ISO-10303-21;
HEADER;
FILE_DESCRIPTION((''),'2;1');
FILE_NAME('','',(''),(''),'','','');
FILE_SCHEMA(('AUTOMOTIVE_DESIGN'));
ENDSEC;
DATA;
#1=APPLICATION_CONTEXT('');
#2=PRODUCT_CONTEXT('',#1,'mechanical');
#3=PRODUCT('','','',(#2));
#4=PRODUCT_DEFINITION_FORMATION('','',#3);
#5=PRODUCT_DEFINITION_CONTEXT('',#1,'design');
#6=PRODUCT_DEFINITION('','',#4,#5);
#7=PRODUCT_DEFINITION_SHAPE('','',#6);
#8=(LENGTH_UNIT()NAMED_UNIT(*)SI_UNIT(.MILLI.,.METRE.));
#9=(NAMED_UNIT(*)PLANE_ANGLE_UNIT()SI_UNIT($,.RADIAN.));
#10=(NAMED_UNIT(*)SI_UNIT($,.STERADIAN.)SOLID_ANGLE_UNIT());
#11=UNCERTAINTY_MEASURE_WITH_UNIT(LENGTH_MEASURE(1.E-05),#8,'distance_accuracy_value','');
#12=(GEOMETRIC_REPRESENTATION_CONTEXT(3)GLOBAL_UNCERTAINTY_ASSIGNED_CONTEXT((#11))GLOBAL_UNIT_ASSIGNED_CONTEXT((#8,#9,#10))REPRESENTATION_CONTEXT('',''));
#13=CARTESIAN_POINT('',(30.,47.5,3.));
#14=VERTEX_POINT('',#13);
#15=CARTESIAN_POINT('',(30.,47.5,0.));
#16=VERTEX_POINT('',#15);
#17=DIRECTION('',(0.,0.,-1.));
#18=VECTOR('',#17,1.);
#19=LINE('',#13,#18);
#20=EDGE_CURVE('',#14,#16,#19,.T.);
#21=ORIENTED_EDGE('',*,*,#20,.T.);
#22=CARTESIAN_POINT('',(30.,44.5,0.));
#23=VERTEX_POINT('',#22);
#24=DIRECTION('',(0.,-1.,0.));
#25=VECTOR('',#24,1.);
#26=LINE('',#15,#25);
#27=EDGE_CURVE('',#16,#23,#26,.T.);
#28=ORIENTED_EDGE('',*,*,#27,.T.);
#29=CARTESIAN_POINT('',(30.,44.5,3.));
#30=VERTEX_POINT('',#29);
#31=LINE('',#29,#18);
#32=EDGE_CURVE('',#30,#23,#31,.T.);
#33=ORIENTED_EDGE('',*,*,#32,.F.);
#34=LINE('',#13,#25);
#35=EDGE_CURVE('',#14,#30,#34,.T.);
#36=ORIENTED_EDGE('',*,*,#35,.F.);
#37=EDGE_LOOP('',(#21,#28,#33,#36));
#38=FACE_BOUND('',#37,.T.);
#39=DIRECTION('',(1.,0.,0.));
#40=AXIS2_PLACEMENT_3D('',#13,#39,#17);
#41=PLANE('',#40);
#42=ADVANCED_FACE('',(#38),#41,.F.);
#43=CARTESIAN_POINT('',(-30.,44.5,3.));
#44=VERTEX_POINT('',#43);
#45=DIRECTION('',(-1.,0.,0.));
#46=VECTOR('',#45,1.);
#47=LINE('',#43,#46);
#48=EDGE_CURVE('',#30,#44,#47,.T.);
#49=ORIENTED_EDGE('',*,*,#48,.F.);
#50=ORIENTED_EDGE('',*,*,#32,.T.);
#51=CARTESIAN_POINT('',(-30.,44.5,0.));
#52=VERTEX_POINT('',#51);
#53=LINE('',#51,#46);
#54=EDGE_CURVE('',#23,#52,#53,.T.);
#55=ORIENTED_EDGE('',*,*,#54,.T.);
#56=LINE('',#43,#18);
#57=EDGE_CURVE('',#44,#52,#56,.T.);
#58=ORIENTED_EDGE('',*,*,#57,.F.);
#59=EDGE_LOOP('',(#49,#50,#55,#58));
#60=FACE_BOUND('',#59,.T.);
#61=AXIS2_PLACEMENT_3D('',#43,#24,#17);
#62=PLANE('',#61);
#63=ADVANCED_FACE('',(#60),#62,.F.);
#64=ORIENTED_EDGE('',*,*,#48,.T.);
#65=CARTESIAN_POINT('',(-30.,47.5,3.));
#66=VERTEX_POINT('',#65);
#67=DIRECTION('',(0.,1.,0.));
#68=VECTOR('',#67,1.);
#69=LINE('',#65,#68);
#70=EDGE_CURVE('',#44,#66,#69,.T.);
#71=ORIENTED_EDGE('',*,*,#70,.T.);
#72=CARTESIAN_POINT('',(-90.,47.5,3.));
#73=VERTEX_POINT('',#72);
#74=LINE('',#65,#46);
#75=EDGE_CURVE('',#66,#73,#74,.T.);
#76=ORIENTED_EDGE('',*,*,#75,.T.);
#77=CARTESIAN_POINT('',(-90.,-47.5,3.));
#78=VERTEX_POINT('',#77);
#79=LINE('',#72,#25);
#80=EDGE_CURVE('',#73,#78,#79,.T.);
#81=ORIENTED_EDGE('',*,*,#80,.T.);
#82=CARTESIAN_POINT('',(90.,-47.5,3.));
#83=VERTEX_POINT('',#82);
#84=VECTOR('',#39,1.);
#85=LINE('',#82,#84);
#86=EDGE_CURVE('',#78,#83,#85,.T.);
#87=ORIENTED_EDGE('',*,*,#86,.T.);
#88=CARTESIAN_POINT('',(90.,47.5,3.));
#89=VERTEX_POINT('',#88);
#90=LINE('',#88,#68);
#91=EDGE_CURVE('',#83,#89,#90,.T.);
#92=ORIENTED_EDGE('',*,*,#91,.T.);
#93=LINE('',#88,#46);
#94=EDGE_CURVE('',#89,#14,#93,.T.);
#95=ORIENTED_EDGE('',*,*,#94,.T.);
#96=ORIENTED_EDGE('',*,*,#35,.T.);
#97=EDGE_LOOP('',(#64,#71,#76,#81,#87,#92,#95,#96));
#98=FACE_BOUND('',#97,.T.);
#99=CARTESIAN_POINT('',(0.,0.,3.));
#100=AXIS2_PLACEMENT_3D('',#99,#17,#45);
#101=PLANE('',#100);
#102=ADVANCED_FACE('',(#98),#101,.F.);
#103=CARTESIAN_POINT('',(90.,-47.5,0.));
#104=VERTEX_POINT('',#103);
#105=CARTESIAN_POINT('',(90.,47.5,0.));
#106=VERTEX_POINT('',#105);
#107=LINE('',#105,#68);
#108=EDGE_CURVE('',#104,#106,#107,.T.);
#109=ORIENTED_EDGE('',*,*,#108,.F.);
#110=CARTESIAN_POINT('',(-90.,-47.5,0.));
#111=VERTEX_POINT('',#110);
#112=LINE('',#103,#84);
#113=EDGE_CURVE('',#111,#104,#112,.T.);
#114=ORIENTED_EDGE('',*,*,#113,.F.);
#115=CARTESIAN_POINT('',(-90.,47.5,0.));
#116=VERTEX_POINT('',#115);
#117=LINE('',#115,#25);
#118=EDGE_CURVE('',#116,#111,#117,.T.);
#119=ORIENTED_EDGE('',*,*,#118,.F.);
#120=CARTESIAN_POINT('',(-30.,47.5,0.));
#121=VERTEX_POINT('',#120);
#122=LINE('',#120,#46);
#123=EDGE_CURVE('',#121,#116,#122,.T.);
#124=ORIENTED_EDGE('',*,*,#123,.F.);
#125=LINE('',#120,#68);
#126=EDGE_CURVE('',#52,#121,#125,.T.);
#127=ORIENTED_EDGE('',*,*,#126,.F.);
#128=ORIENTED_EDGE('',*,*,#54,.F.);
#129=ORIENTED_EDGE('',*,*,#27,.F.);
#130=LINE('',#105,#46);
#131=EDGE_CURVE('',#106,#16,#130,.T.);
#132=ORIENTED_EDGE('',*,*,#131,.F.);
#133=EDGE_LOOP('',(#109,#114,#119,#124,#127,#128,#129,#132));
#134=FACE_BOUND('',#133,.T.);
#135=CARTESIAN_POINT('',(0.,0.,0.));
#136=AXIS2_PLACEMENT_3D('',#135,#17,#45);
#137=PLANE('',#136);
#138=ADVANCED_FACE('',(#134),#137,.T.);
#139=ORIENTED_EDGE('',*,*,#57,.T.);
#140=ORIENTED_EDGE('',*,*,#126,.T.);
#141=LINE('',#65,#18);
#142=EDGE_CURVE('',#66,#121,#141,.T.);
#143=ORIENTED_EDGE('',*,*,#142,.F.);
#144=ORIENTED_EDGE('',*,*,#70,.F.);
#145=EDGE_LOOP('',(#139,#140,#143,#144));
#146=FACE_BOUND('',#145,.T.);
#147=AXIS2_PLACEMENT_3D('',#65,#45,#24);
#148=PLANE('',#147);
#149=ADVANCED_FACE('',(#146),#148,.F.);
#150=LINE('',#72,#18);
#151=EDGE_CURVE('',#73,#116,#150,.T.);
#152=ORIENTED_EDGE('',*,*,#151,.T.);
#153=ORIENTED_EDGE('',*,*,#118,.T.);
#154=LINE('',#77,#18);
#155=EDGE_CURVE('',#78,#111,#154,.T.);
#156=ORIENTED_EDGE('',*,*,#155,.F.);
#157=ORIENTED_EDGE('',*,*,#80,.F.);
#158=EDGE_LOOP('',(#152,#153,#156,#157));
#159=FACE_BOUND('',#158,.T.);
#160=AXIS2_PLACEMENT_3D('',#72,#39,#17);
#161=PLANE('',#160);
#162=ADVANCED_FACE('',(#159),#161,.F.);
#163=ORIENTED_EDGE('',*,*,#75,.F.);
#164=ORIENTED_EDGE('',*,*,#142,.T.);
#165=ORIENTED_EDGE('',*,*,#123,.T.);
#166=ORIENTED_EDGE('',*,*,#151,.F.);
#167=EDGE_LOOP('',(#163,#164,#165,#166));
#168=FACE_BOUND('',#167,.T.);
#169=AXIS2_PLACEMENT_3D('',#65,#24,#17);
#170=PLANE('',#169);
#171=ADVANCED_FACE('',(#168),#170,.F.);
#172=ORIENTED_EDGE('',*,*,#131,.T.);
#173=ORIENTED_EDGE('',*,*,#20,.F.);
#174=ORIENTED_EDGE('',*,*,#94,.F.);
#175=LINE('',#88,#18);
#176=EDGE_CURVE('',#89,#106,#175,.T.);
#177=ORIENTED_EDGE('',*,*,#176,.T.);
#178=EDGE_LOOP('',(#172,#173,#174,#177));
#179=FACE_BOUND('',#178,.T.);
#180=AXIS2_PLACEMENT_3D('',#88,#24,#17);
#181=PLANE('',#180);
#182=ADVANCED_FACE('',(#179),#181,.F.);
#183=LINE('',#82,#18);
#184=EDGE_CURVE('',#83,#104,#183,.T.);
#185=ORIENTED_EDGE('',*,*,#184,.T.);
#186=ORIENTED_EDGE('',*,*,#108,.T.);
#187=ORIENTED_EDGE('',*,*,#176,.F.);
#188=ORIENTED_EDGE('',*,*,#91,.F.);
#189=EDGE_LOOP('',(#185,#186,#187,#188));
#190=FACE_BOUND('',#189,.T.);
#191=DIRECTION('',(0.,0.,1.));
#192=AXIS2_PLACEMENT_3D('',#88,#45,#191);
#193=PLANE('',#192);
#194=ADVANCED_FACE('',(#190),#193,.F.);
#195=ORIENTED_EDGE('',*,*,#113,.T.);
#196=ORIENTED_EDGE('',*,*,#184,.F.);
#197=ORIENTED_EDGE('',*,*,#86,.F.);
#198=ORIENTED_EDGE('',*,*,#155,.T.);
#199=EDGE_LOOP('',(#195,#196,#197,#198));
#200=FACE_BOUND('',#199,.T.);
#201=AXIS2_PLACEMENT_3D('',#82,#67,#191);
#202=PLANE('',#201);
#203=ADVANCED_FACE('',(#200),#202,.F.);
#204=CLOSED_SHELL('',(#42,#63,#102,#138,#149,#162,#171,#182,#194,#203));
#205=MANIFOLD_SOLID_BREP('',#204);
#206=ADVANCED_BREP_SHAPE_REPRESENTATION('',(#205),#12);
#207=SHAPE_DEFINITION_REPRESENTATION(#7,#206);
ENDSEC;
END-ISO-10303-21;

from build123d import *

# Parameters (mm, degrees)
BOSS_EXTRUDE1_DEPTH = 3


with BuildPart() as part:
    # Sketch1 → Boss-Extrude1 (new body)
    with BuildSketch(Plane.XY):
        Polygon((-30, 44.5), (30, 44.5), (30, 47.5), (90, 47.5), (90, -47.5), (-90, -47.5), (-90, 47.5), (-30, 47.5), align=None)
    extrude(amount=BOSS_EXTRUDE1_DEPTH)


solid = part.part
